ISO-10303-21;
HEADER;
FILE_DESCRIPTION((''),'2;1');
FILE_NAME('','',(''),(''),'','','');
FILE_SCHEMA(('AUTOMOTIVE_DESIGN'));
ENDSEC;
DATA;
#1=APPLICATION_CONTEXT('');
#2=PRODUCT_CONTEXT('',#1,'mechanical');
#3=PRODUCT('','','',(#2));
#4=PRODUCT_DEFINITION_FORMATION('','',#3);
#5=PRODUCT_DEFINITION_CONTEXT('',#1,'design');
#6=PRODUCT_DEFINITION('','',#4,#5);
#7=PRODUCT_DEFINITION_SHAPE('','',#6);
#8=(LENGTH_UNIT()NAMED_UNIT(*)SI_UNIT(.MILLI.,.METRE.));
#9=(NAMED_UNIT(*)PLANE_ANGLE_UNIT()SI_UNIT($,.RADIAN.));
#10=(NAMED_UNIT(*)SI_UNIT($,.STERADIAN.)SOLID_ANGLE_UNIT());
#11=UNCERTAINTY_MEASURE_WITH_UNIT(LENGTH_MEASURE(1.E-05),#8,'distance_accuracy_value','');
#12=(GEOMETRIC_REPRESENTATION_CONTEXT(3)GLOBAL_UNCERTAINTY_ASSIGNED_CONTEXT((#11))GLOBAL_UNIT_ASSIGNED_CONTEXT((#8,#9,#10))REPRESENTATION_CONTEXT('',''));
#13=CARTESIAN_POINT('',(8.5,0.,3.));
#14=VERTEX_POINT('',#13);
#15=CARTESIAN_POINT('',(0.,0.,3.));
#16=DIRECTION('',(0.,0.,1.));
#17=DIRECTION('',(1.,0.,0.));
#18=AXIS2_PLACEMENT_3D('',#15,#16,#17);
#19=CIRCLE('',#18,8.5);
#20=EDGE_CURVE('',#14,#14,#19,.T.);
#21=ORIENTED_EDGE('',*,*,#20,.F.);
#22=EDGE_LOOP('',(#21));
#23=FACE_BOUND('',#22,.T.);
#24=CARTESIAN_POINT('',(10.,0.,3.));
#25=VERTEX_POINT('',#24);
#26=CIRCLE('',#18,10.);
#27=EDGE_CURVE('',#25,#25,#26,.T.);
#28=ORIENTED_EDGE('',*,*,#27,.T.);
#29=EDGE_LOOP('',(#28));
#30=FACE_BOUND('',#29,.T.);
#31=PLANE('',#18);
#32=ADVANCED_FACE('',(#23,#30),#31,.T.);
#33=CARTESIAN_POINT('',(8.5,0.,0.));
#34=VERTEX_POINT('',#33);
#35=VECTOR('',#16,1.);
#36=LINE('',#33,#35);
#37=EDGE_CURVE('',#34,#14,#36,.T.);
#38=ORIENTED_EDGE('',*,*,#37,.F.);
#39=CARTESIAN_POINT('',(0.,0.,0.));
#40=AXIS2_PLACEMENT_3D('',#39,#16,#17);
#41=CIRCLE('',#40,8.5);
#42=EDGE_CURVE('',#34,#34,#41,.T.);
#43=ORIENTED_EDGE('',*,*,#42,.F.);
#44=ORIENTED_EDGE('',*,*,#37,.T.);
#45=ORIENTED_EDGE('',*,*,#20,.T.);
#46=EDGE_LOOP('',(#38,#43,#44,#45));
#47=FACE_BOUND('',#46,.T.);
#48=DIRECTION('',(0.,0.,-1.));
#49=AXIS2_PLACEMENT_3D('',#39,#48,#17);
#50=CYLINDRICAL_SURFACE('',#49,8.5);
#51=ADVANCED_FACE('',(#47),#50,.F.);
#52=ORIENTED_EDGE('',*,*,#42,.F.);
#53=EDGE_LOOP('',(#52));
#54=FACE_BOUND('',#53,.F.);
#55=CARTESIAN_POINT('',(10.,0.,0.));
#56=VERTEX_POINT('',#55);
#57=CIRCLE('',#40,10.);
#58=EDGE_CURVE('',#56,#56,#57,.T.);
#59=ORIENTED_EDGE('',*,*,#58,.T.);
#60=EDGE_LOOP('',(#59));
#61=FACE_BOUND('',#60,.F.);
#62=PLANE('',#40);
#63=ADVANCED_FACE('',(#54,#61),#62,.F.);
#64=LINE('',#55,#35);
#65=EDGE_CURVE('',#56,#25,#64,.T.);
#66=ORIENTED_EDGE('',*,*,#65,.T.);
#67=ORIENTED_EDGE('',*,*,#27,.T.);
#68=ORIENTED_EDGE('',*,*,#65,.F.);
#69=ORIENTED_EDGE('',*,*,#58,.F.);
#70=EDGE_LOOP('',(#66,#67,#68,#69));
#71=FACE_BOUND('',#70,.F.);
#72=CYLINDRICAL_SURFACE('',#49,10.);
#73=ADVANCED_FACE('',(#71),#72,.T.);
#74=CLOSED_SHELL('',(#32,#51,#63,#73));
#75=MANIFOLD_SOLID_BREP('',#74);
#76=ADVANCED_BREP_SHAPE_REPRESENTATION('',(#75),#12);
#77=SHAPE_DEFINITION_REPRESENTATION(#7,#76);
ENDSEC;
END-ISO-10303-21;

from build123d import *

# Parameters (mm, degrees)
SKETCH_R   = 10
SKETCH_R_2 = 8.5
PAD_DEPTH  = 3


with BuildPart() as part:
    # Sketch → Pad (new body)
    with BuildSketch(Plane.XY):
        Circle(SKETCH_R)
        Circle(SKETCH_R_2, mode=Mode.SUBTRACT)
    extrude(amount=PAD_DEPTH)


solid = part.part
